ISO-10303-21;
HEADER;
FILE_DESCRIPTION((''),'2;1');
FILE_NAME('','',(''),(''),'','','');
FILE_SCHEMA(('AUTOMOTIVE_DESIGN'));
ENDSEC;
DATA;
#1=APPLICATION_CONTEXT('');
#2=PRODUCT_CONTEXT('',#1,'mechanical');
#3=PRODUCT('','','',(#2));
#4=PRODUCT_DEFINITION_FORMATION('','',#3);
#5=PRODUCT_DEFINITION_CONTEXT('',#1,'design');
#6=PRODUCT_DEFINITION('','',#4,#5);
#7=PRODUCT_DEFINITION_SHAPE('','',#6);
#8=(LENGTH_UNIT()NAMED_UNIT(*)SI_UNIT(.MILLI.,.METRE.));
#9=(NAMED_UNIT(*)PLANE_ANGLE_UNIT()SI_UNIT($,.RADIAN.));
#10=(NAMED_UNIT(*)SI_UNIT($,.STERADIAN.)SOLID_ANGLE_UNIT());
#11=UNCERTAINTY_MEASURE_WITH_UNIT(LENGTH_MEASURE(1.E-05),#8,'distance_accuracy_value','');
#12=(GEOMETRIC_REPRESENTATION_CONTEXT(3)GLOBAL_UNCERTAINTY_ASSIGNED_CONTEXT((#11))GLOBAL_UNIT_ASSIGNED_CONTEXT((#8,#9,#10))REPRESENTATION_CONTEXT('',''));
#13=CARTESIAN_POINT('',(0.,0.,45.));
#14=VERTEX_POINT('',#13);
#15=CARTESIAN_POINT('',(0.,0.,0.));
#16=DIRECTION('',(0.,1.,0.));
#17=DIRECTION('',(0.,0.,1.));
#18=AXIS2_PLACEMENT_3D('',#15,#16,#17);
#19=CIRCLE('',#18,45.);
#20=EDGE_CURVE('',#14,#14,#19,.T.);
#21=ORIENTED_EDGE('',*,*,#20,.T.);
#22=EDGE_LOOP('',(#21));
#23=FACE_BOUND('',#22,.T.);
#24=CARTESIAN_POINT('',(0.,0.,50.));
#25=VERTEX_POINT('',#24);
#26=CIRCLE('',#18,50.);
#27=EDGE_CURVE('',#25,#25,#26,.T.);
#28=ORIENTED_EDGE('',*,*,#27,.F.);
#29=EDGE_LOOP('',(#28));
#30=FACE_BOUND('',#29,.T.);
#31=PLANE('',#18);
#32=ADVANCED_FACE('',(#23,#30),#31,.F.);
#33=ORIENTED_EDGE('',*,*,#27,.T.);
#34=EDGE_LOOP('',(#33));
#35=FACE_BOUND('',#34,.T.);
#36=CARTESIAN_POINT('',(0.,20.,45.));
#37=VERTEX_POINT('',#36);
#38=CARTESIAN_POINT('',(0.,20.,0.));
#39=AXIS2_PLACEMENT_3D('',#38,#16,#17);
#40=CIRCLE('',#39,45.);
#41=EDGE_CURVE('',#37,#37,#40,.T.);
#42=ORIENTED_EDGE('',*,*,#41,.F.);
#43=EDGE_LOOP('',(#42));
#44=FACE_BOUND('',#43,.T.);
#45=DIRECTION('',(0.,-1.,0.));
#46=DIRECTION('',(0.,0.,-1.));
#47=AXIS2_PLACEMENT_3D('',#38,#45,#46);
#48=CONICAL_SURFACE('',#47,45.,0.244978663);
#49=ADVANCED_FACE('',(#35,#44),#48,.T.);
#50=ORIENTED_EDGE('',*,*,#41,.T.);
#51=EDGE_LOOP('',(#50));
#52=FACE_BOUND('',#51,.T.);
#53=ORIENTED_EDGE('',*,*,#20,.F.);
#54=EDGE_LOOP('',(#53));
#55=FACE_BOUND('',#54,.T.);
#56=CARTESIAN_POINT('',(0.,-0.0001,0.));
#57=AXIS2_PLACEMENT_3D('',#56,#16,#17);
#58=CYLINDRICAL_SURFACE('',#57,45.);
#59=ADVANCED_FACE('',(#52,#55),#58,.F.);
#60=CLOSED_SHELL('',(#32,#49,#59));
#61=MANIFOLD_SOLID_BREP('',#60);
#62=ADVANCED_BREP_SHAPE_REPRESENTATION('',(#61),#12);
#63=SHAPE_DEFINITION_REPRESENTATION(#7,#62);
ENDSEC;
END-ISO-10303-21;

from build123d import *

# Parameters (mm, degrees)
SKETCH1_R          = 50
SKETCH2_R          = 45
SKETCH3_R          = 45
CUT_EXTRUDE1_DEPTH = 21.0000001


with BuildPart() as part:
    # Sketch1 → Loft1 section 0
    with BuildSketch(Plane(origin=(0, 0, 0), x_dir=(1, 0, 0), z_dir=(0, 1, 0))):
        Circle(SKETCH1_R)
    # Sketch2 → Loft1 section 1
    with BuildSketch(Plane(origin=(0, 20, 0), x_dir=(1, 0, 0), z_dir=(0, 1, 0))):
        Circle(SKETCH2_R)
    loft()

    # Sketch3 → Cut-Extrude1 (cut, through all)
    with BuildSketch(Plane(origin=(0, 20, 0), x_dir=(1, 0, 0), z_dir=(0, 1, 0))):
        Circle(SKETCH3_R)
    extrude(amount=-CUT_EXTRUDE1_DEPTH, mode=Mode.SUBTRACT)


solid = part.part
